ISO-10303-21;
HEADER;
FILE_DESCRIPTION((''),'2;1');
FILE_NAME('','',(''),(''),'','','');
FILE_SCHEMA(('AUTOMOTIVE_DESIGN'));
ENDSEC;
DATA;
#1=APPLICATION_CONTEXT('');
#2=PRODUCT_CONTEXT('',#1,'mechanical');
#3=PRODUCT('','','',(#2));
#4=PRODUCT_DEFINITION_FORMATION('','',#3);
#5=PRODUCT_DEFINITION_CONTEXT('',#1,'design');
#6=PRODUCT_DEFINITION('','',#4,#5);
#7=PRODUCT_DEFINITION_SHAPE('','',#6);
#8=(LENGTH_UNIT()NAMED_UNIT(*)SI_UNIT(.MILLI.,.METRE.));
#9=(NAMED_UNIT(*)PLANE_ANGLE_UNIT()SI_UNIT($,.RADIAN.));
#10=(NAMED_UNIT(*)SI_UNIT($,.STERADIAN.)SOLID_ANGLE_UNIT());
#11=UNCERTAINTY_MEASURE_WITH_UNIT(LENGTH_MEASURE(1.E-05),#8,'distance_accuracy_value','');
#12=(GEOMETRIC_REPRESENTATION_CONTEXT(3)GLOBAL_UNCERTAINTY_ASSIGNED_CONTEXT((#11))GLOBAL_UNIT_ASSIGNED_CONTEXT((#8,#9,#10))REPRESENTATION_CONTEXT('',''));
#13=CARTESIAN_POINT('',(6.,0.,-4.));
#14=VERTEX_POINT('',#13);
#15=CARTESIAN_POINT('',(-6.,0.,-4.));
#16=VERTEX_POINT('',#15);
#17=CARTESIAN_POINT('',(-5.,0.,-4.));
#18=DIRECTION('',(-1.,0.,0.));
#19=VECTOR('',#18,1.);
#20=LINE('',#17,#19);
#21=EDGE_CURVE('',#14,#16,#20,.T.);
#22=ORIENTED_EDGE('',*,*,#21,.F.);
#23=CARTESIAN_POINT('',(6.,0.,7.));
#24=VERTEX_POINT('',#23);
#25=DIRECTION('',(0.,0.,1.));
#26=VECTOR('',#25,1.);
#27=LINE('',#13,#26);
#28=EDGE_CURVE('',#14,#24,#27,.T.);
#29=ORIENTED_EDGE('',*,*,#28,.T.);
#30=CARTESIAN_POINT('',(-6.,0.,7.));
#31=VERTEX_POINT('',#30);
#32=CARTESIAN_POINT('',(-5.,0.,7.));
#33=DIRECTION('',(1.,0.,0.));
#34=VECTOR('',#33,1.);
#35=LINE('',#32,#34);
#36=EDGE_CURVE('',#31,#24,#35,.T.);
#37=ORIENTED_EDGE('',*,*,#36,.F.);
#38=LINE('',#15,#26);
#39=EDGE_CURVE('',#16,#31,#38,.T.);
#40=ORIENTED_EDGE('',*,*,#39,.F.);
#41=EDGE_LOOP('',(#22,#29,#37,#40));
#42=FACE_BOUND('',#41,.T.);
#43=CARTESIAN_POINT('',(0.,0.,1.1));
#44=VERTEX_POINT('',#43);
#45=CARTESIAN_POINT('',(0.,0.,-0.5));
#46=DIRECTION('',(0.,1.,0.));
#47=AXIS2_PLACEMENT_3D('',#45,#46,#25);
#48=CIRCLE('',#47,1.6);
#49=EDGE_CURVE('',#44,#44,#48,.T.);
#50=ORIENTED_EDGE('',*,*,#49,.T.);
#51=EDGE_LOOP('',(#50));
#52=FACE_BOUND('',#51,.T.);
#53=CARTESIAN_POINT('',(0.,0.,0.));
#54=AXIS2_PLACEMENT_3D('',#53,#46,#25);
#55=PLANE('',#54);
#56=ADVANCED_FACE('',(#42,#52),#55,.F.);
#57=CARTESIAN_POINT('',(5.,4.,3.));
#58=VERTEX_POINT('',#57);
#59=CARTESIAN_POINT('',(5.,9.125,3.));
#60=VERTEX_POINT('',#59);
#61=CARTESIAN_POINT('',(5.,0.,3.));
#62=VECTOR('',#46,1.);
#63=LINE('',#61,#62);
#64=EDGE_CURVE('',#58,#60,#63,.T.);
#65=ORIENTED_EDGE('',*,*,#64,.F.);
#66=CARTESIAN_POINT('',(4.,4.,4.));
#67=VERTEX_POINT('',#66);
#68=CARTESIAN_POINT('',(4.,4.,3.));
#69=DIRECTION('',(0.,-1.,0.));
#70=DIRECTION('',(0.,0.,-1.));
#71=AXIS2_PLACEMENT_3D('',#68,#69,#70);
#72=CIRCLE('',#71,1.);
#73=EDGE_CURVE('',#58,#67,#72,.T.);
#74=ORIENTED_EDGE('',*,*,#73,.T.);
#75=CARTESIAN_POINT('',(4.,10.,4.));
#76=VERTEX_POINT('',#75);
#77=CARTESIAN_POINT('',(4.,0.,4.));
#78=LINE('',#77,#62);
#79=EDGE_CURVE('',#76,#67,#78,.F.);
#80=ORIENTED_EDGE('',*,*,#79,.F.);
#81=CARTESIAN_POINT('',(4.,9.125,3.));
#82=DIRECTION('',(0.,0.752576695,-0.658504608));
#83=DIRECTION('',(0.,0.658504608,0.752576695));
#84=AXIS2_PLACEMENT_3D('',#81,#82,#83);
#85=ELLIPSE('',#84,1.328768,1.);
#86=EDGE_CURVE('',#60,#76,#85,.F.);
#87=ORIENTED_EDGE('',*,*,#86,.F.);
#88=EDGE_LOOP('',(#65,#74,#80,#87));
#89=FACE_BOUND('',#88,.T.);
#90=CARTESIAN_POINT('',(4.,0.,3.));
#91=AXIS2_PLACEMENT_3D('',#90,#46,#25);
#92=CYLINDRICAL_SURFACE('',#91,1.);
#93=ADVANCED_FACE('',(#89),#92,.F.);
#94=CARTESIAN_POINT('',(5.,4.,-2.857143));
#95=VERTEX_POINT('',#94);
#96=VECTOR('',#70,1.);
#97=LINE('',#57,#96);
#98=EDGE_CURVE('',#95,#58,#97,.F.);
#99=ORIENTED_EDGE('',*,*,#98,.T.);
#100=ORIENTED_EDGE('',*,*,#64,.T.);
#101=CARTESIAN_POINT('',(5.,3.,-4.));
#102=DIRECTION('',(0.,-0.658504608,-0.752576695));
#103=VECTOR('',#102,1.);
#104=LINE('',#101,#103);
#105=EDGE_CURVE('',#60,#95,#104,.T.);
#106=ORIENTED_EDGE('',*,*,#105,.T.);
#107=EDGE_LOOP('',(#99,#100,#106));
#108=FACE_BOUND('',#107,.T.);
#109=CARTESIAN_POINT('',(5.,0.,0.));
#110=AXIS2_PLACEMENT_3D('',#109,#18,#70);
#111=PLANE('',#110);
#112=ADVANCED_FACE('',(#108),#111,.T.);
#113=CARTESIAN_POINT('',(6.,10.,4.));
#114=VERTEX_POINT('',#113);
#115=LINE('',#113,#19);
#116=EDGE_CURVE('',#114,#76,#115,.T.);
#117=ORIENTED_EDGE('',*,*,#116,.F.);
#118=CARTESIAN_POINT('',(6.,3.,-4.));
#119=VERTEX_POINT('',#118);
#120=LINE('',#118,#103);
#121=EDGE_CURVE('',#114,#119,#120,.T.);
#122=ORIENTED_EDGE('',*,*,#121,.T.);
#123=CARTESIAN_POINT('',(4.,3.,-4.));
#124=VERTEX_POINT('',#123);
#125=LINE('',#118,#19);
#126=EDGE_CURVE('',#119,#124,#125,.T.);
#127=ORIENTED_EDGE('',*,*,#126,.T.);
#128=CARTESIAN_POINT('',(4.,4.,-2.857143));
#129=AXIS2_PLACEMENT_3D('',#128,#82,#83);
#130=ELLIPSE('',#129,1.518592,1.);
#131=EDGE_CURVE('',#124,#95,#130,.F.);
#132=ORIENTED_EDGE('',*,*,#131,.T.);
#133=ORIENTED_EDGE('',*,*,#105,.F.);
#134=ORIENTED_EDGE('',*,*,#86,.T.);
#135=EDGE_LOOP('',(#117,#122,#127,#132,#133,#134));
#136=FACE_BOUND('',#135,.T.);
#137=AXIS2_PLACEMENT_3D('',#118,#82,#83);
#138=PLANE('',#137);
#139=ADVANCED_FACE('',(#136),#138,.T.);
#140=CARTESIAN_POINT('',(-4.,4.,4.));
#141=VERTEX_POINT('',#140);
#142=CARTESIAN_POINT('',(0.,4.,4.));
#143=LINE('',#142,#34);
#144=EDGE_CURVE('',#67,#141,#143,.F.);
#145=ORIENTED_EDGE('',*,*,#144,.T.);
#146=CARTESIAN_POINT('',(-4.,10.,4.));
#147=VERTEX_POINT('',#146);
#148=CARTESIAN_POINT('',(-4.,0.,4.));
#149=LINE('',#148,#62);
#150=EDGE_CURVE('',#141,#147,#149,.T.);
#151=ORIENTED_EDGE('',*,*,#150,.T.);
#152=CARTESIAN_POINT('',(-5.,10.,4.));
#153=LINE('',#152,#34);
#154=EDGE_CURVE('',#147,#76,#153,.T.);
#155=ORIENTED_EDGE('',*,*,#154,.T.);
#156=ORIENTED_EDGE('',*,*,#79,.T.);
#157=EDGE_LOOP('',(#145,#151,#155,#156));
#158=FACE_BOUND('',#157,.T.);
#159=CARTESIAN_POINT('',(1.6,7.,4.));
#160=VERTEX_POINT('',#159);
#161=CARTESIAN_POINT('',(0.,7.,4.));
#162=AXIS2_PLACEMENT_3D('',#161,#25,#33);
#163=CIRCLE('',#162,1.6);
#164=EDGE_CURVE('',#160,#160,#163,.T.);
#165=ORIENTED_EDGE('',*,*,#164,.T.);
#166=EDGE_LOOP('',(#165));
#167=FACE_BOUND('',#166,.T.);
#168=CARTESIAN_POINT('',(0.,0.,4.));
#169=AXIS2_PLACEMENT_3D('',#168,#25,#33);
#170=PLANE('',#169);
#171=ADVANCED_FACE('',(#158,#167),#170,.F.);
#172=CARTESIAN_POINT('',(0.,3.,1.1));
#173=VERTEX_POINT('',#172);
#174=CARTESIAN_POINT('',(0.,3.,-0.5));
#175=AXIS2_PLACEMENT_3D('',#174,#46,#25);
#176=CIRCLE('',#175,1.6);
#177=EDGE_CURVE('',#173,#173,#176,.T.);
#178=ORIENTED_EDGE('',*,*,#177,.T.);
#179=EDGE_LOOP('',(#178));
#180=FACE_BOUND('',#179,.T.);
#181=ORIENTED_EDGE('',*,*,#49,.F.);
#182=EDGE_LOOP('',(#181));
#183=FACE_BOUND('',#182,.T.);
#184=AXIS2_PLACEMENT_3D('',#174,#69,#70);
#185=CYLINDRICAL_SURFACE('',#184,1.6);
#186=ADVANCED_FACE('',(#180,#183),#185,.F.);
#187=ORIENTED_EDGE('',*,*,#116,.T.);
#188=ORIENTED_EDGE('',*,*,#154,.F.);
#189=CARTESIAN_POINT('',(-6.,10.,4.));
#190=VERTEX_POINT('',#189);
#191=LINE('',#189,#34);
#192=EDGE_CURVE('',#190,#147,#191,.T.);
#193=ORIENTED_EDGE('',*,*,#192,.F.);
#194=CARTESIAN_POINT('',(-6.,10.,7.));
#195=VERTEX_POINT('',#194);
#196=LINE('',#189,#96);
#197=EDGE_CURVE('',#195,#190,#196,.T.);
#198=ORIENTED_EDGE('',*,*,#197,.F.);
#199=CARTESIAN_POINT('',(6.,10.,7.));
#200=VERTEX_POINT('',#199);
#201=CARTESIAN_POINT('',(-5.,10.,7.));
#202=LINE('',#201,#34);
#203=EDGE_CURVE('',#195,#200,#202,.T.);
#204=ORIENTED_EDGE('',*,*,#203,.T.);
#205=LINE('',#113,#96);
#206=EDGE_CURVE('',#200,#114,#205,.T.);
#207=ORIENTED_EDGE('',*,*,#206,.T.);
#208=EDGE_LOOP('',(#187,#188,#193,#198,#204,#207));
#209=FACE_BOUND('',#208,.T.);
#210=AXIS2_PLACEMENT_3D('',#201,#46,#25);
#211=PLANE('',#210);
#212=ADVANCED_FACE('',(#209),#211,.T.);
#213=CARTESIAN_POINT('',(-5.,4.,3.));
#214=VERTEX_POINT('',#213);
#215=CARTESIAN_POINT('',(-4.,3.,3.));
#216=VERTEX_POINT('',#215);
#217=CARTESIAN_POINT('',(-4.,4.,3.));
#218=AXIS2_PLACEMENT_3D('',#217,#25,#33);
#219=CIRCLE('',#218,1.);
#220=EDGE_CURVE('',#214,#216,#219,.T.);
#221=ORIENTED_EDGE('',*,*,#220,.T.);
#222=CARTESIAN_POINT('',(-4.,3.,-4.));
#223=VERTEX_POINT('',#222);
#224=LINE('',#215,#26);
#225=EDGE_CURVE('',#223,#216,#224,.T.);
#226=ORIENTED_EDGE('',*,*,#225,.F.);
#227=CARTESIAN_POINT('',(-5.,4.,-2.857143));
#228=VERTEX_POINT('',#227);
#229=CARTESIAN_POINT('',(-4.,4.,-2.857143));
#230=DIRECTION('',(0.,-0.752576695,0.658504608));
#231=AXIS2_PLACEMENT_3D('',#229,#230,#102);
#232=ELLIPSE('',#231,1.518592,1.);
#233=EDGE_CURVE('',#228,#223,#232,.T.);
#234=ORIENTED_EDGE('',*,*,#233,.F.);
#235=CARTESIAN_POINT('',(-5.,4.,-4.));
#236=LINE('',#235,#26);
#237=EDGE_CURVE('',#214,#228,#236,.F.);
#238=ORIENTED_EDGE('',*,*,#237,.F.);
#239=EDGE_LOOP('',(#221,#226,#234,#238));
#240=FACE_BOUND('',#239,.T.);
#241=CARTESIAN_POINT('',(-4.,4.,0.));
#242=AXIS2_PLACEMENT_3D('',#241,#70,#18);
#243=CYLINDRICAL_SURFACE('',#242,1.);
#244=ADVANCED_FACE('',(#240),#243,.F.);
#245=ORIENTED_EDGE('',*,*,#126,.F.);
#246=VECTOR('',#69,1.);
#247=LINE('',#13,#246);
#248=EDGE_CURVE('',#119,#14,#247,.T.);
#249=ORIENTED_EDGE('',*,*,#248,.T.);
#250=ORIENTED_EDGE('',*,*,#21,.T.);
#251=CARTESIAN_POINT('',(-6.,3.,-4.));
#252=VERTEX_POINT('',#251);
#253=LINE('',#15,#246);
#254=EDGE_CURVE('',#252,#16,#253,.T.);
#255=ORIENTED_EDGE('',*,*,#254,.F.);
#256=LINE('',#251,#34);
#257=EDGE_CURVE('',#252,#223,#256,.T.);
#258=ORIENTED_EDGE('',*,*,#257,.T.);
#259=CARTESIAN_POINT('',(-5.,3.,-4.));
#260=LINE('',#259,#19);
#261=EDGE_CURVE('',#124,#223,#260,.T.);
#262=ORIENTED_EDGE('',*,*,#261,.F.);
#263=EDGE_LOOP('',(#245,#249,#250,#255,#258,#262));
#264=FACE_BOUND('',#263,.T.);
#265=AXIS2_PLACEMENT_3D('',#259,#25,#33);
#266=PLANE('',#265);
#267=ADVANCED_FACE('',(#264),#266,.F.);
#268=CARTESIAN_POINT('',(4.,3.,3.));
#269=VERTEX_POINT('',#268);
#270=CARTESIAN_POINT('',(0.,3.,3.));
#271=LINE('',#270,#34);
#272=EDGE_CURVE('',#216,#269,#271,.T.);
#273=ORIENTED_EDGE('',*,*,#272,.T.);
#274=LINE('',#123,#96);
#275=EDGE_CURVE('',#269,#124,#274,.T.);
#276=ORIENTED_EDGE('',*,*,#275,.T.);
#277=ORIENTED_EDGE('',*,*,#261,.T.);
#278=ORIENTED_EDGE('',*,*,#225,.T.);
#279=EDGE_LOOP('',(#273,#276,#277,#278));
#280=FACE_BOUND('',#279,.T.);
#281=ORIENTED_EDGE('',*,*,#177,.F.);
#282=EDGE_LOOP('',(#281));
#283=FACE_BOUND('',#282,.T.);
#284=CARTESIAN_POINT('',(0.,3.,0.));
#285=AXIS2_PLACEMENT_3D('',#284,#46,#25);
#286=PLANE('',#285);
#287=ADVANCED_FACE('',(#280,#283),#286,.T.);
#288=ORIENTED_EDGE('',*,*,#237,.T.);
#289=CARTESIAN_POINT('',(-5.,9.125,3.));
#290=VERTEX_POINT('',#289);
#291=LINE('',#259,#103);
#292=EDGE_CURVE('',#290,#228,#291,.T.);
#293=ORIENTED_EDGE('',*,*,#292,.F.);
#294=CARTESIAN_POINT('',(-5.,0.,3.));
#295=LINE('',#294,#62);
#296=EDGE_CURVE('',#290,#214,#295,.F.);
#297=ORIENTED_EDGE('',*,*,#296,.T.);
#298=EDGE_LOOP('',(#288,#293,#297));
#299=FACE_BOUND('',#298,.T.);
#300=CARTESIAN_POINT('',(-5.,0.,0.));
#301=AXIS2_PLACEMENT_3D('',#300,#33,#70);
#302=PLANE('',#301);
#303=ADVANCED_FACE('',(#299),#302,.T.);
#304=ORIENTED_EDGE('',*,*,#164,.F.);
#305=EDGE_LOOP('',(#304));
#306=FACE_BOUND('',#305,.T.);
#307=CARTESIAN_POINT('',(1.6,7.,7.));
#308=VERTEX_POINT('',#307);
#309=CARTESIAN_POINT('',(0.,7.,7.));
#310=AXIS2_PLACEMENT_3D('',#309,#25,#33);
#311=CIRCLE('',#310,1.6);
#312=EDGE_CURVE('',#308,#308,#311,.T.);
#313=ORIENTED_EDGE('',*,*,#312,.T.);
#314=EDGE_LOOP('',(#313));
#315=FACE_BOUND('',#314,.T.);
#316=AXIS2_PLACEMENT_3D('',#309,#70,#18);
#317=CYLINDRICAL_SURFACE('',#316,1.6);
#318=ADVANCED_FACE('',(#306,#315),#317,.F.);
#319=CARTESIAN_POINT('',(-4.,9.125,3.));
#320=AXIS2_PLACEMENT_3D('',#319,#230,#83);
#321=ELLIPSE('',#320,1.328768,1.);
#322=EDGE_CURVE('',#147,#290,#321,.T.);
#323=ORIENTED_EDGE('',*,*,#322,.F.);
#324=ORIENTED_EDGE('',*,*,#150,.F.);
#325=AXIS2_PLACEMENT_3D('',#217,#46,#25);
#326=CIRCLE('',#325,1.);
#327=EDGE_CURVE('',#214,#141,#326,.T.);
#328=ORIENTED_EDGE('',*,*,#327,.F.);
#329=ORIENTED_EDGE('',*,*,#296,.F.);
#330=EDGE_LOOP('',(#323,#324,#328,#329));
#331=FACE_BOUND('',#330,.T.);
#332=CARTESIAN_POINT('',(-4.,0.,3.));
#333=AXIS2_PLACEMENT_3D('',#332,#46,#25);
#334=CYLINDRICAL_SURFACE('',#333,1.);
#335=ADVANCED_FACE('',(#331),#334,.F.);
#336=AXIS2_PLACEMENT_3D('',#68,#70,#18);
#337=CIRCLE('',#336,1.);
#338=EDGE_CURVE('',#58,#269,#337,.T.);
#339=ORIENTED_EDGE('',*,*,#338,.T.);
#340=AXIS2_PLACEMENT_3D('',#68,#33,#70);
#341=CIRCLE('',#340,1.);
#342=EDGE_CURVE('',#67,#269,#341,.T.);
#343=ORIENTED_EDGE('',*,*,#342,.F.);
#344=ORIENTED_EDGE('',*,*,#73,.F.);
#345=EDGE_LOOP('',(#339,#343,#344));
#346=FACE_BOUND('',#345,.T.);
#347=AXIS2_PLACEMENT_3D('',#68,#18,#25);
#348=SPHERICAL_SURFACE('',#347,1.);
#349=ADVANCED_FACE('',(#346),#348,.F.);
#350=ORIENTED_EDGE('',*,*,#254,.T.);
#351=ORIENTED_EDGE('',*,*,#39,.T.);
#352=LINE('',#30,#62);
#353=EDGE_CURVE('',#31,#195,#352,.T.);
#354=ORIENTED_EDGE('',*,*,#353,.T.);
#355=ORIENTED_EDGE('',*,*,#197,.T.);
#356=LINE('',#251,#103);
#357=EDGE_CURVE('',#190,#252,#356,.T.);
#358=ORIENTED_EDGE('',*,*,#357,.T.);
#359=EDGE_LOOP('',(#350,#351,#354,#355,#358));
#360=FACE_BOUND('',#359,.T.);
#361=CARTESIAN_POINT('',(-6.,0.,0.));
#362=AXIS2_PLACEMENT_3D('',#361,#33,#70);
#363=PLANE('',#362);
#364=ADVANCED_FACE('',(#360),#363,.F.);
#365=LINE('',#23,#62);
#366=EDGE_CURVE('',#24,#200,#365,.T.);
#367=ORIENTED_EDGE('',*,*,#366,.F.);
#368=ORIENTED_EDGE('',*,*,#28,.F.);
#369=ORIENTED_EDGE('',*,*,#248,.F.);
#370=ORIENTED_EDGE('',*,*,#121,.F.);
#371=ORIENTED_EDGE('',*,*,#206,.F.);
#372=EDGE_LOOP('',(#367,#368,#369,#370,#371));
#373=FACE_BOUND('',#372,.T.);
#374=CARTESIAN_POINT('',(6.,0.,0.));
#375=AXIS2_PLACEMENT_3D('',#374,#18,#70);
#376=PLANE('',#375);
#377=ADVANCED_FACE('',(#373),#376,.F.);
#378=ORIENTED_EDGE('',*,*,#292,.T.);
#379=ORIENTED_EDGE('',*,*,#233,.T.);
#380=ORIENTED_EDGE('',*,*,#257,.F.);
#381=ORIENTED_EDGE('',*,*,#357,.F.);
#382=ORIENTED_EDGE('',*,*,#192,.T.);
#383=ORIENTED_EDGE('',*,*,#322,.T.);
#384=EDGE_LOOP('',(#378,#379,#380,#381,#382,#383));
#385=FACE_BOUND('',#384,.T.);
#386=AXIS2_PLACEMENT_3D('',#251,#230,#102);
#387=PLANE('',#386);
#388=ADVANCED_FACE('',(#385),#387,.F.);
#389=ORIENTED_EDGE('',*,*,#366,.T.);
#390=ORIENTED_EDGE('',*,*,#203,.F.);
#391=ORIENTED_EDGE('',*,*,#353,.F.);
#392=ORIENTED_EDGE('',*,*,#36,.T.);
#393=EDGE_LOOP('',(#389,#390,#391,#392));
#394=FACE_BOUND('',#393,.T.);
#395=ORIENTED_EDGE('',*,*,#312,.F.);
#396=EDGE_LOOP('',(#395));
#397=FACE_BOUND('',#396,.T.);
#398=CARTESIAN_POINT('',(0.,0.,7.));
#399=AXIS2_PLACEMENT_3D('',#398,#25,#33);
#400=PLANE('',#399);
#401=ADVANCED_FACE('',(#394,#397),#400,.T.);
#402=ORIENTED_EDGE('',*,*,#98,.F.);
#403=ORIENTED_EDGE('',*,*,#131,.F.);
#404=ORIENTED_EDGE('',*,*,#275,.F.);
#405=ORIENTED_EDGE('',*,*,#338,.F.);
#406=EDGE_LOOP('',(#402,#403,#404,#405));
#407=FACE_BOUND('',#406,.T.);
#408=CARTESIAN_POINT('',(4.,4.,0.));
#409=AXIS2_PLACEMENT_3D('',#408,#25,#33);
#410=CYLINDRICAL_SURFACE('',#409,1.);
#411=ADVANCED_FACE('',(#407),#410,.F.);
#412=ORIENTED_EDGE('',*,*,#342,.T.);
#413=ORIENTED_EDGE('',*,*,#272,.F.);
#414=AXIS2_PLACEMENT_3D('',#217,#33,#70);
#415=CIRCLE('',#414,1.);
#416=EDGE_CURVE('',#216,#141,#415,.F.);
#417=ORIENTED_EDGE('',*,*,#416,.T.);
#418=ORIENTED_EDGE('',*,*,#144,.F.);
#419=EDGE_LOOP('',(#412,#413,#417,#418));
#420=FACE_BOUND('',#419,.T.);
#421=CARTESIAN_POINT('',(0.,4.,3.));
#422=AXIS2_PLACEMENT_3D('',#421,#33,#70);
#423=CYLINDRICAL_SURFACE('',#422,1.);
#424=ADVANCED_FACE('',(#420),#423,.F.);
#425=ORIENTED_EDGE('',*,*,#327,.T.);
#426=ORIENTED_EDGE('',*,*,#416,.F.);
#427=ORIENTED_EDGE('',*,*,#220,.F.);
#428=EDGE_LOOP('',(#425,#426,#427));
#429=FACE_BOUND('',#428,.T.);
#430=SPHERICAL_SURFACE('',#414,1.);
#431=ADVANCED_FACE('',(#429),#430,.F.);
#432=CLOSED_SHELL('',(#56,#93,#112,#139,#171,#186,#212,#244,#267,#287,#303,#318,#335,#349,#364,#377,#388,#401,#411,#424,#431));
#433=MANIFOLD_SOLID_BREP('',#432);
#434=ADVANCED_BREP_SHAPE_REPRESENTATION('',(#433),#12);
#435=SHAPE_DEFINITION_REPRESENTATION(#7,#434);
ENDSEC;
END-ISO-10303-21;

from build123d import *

# Parameters (mm, degrees)
SKETCH2_W           = 10
SKETCH2_H           = 8
SKETCH2_R           = 1.6
BOSS_EXTRUDE1_DEPTH = 3
SKETCH3_W           = 10
SKETCH3_H           = 10
SKETCH3_R           = 1.6
BOSS_EXTRUDE2_DEPTH = 3
BOSS_EXTRUDE3_DEPTH = 1
FILLET1_R           = 1
FILLET2_R           = 1


with BuildPart() as part:
    # Sketch2 → Boss-Extrude1 (new body)
    with BuildSketch(Plane(origin=(0, 0, 0), x_dir=(1, 0, 0), z_dir=(0, 1, 0))):
        Rectangle(SKETCH2_W, SKETCH2_H)
        with Locations(Location((0, 0.5, 0), (0, 0, 270))):
            Circle(SKETCH2_R, mode=Mode.SUBTRACT)
    extrude(amount=BOSS_EXTRUDE1_DEPTH)

    # Sketch3 → Boss-Extrude2 (add)
    with BuildSketch(Plane.XY.offset(4)):
        with Locations((0, 5)):
            Rectangle(SKETCH3_W, SKETCH3_H)
        with Locations((0, 7)):
            Circle(SKETCH3_R, mode=Mode.SUBTRACT)
    extrude(amount=BOSS_EXTRUDE2_DEPTH)

    # Sketch4 → Boss-Extrude3 (add)
    with BuildSketch(Plane.ZY.offset(5)):
        Polygon((-4, 3), (4, 10), (7, 10), (7, 0), (-4, 0), align=None)
    boss_extrude3 = extrude(amount=BOSS_EXTRUDE3_DEPTH)

    # Mirror1: Boss-Extrude3 across plane
    add(boss_extrude3.mirror(Plane(origin=(0, 0, 0), x_dir=(0, 0, 1), z_dir=(1, 0, 0))))

    # Fillet1
    fillet1_edges = [part.edges().sort_by_distance(p)[0] for p in [
        (0, 3, 4),
    ]]
    fillet(fillet1_edges, radius=FILLET1_R)

    # Fillet2
    fillet2_edges = [part.edges().sort_by_distance(p)[0] for p in [
        (-5, 3, -0.5),
        (5, 3, -0.5),
        (5, 7, 4),
        (5, 3.292893219, 3.707106781),
        (-5, 7, 4),
        (-5, 3.292893219, 3.707106781),
    ]]
    fillet(fillet2_edges, radius=FILLET2_R)


solid = part.part
